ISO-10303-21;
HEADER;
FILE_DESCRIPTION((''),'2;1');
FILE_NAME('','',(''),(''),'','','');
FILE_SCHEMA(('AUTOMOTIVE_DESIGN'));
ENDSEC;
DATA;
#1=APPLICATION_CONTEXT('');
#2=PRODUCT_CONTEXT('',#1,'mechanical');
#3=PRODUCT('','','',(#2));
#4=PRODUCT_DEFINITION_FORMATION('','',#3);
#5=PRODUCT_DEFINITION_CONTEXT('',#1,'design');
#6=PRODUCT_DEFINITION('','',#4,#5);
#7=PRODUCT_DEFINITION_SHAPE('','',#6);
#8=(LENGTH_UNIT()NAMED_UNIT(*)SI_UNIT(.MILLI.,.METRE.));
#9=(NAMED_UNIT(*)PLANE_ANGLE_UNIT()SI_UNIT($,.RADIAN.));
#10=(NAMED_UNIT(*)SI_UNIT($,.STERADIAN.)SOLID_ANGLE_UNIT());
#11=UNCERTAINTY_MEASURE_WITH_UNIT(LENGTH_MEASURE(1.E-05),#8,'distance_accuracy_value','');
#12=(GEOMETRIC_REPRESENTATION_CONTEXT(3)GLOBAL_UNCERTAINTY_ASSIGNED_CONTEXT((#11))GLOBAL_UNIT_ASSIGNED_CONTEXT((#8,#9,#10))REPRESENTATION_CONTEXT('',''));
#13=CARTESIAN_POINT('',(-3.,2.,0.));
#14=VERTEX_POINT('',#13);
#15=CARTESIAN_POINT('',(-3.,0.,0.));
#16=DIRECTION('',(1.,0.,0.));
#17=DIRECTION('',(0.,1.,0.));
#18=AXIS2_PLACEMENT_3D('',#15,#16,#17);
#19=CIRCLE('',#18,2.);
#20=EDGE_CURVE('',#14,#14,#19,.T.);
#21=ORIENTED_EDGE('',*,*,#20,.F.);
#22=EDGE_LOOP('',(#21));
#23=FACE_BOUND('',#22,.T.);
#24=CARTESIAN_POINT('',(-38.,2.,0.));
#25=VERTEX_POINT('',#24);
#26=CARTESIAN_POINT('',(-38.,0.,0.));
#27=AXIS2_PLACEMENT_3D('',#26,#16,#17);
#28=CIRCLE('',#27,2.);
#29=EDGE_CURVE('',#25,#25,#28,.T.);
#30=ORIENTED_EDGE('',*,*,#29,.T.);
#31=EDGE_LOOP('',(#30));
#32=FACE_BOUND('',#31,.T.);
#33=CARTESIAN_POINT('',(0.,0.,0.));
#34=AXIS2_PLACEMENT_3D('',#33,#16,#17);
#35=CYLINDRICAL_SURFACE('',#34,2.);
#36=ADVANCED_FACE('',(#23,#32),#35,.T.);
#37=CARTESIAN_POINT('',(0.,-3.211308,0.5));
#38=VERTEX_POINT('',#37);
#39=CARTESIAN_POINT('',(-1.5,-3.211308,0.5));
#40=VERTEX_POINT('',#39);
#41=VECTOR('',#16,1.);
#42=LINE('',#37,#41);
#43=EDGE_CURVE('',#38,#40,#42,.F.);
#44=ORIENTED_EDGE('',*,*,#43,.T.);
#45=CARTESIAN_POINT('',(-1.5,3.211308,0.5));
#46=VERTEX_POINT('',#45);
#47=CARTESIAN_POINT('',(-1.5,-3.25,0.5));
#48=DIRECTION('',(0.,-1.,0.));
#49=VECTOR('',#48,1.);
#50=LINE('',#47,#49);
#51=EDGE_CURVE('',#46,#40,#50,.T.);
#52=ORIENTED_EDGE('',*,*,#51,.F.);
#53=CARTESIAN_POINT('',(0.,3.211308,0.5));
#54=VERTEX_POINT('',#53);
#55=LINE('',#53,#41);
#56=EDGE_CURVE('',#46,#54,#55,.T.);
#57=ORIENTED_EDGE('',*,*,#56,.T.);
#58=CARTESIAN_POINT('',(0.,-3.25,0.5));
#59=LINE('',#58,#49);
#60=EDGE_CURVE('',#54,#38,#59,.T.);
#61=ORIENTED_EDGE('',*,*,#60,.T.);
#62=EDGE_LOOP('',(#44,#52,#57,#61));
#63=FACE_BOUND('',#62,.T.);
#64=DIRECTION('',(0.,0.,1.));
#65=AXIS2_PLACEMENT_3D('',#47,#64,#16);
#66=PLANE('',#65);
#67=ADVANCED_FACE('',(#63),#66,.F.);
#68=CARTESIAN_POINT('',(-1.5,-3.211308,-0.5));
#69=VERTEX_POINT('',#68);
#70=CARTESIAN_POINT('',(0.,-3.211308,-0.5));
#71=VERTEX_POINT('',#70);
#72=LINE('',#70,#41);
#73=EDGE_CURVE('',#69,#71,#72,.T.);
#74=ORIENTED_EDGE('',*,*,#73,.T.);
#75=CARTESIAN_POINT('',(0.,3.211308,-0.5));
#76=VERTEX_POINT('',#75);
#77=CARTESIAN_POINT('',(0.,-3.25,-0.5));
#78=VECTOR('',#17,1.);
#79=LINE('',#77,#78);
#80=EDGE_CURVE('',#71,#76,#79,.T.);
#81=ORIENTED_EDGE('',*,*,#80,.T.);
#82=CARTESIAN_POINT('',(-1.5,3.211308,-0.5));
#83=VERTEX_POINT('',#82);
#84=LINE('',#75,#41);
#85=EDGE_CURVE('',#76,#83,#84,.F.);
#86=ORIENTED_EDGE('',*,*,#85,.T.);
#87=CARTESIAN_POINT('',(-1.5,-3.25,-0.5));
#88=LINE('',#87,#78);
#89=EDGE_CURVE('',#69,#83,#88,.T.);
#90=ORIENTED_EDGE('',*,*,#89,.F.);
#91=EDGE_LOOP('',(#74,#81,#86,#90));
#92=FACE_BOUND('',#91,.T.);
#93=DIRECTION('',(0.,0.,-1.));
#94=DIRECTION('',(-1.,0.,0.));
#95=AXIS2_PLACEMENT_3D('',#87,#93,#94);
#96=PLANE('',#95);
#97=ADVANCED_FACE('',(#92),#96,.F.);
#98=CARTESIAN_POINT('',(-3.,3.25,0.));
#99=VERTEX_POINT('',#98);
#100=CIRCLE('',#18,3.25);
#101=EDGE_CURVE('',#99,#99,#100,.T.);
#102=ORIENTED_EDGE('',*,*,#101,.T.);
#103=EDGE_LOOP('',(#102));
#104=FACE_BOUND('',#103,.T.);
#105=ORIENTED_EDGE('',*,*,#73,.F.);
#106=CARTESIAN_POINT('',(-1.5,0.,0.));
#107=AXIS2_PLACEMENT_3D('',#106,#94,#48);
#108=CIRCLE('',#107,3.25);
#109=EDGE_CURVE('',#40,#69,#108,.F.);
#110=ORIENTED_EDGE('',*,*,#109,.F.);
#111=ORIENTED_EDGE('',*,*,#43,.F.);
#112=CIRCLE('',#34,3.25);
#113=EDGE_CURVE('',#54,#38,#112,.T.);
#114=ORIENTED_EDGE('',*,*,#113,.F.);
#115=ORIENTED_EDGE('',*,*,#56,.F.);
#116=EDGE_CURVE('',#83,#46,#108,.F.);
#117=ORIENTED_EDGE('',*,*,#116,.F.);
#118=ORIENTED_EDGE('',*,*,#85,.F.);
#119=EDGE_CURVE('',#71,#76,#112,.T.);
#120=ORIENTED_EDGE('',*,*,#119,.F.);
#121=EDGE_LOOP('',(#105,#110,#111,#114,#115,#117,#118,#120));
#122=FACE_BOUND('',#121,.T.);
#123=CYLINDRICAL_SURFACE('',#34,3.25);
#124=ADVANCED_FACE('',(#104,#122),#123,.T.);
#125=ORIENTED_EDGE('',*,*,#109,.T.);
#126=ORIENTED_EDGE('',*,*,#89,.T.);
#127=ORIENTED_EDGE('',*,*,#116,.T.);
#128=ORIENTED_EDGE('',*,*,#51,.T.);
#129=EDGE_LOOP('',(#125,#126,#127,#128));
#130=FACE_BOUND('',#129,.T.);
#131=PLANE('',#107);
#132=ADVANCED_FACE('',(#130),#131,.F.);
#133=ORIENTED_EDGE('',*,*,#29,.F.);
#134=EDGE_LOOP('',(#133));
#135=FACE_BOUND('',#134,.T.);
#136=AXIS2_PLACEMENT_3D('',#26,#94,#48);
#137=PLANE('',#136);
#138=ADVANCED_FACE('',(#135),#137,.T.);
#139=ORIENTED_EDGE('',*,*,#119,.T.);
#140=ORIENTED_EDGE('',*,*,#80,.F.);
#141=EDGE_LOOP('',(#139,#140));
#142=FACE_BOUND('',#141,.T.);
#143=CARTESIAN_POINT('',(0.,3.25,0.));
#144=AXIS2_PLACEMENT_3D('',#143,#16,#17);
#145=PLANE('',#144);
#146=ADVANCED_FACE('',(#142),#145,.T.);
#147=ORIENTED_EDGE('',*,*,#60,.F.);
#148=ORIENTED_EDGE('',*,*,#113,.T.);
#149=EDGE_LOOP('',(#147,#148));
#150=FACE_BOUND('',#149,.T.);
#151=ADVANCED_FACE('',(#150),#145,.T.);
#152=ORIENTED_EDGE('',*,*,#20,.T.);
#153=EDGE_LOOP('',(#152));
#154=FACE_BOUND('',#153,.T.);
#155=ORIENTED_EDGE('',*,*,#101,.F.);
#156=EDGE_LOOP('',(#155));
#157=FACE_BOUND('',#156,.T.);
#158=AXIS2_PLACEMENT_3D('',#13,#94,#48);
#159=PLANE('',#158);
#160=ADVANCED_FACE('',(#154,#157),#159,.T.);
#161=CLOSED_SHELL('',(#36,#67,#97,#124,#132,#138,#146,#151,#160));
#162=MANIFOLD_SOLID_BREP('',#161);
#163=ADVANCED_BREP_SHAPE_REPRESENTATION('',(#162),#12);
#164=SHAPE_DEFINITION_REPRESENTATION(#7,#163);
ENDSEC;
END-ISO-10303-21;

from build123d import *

# Parameters (mm, degrees)
SKETCH2_W          = 1
SKETCH2_H          = 6.5
CUT_EXTRUDE1_DEPTH = 1.5


with BuildPart() as part:
    # Sketch1 → Revolve1 (revolve)
    with BuildSketch(Plane.XY):
        Polygon((0, 0), (-38, 0), (-38, 2), (-3, 2), (-3, 3.25), (0, 3.25), align=None)
    revolve(axis=Axis((0, 0, 0), (-1, 0, 0)))

    # Sketch2 → Cut-Extrude1 (cut)
    with BuildSketch(Plane(origin=(0, 0, 0), x_dir=(0, 0, -1), z_dir=(1, 0, 0))):
        Rectangle(SKETCH2_W, SKETCH2_H)
    extrude(amount=-CUT_EXTRUDE1_DEPTH, mode=Mode.SUBTRACT)


solid = part.part
